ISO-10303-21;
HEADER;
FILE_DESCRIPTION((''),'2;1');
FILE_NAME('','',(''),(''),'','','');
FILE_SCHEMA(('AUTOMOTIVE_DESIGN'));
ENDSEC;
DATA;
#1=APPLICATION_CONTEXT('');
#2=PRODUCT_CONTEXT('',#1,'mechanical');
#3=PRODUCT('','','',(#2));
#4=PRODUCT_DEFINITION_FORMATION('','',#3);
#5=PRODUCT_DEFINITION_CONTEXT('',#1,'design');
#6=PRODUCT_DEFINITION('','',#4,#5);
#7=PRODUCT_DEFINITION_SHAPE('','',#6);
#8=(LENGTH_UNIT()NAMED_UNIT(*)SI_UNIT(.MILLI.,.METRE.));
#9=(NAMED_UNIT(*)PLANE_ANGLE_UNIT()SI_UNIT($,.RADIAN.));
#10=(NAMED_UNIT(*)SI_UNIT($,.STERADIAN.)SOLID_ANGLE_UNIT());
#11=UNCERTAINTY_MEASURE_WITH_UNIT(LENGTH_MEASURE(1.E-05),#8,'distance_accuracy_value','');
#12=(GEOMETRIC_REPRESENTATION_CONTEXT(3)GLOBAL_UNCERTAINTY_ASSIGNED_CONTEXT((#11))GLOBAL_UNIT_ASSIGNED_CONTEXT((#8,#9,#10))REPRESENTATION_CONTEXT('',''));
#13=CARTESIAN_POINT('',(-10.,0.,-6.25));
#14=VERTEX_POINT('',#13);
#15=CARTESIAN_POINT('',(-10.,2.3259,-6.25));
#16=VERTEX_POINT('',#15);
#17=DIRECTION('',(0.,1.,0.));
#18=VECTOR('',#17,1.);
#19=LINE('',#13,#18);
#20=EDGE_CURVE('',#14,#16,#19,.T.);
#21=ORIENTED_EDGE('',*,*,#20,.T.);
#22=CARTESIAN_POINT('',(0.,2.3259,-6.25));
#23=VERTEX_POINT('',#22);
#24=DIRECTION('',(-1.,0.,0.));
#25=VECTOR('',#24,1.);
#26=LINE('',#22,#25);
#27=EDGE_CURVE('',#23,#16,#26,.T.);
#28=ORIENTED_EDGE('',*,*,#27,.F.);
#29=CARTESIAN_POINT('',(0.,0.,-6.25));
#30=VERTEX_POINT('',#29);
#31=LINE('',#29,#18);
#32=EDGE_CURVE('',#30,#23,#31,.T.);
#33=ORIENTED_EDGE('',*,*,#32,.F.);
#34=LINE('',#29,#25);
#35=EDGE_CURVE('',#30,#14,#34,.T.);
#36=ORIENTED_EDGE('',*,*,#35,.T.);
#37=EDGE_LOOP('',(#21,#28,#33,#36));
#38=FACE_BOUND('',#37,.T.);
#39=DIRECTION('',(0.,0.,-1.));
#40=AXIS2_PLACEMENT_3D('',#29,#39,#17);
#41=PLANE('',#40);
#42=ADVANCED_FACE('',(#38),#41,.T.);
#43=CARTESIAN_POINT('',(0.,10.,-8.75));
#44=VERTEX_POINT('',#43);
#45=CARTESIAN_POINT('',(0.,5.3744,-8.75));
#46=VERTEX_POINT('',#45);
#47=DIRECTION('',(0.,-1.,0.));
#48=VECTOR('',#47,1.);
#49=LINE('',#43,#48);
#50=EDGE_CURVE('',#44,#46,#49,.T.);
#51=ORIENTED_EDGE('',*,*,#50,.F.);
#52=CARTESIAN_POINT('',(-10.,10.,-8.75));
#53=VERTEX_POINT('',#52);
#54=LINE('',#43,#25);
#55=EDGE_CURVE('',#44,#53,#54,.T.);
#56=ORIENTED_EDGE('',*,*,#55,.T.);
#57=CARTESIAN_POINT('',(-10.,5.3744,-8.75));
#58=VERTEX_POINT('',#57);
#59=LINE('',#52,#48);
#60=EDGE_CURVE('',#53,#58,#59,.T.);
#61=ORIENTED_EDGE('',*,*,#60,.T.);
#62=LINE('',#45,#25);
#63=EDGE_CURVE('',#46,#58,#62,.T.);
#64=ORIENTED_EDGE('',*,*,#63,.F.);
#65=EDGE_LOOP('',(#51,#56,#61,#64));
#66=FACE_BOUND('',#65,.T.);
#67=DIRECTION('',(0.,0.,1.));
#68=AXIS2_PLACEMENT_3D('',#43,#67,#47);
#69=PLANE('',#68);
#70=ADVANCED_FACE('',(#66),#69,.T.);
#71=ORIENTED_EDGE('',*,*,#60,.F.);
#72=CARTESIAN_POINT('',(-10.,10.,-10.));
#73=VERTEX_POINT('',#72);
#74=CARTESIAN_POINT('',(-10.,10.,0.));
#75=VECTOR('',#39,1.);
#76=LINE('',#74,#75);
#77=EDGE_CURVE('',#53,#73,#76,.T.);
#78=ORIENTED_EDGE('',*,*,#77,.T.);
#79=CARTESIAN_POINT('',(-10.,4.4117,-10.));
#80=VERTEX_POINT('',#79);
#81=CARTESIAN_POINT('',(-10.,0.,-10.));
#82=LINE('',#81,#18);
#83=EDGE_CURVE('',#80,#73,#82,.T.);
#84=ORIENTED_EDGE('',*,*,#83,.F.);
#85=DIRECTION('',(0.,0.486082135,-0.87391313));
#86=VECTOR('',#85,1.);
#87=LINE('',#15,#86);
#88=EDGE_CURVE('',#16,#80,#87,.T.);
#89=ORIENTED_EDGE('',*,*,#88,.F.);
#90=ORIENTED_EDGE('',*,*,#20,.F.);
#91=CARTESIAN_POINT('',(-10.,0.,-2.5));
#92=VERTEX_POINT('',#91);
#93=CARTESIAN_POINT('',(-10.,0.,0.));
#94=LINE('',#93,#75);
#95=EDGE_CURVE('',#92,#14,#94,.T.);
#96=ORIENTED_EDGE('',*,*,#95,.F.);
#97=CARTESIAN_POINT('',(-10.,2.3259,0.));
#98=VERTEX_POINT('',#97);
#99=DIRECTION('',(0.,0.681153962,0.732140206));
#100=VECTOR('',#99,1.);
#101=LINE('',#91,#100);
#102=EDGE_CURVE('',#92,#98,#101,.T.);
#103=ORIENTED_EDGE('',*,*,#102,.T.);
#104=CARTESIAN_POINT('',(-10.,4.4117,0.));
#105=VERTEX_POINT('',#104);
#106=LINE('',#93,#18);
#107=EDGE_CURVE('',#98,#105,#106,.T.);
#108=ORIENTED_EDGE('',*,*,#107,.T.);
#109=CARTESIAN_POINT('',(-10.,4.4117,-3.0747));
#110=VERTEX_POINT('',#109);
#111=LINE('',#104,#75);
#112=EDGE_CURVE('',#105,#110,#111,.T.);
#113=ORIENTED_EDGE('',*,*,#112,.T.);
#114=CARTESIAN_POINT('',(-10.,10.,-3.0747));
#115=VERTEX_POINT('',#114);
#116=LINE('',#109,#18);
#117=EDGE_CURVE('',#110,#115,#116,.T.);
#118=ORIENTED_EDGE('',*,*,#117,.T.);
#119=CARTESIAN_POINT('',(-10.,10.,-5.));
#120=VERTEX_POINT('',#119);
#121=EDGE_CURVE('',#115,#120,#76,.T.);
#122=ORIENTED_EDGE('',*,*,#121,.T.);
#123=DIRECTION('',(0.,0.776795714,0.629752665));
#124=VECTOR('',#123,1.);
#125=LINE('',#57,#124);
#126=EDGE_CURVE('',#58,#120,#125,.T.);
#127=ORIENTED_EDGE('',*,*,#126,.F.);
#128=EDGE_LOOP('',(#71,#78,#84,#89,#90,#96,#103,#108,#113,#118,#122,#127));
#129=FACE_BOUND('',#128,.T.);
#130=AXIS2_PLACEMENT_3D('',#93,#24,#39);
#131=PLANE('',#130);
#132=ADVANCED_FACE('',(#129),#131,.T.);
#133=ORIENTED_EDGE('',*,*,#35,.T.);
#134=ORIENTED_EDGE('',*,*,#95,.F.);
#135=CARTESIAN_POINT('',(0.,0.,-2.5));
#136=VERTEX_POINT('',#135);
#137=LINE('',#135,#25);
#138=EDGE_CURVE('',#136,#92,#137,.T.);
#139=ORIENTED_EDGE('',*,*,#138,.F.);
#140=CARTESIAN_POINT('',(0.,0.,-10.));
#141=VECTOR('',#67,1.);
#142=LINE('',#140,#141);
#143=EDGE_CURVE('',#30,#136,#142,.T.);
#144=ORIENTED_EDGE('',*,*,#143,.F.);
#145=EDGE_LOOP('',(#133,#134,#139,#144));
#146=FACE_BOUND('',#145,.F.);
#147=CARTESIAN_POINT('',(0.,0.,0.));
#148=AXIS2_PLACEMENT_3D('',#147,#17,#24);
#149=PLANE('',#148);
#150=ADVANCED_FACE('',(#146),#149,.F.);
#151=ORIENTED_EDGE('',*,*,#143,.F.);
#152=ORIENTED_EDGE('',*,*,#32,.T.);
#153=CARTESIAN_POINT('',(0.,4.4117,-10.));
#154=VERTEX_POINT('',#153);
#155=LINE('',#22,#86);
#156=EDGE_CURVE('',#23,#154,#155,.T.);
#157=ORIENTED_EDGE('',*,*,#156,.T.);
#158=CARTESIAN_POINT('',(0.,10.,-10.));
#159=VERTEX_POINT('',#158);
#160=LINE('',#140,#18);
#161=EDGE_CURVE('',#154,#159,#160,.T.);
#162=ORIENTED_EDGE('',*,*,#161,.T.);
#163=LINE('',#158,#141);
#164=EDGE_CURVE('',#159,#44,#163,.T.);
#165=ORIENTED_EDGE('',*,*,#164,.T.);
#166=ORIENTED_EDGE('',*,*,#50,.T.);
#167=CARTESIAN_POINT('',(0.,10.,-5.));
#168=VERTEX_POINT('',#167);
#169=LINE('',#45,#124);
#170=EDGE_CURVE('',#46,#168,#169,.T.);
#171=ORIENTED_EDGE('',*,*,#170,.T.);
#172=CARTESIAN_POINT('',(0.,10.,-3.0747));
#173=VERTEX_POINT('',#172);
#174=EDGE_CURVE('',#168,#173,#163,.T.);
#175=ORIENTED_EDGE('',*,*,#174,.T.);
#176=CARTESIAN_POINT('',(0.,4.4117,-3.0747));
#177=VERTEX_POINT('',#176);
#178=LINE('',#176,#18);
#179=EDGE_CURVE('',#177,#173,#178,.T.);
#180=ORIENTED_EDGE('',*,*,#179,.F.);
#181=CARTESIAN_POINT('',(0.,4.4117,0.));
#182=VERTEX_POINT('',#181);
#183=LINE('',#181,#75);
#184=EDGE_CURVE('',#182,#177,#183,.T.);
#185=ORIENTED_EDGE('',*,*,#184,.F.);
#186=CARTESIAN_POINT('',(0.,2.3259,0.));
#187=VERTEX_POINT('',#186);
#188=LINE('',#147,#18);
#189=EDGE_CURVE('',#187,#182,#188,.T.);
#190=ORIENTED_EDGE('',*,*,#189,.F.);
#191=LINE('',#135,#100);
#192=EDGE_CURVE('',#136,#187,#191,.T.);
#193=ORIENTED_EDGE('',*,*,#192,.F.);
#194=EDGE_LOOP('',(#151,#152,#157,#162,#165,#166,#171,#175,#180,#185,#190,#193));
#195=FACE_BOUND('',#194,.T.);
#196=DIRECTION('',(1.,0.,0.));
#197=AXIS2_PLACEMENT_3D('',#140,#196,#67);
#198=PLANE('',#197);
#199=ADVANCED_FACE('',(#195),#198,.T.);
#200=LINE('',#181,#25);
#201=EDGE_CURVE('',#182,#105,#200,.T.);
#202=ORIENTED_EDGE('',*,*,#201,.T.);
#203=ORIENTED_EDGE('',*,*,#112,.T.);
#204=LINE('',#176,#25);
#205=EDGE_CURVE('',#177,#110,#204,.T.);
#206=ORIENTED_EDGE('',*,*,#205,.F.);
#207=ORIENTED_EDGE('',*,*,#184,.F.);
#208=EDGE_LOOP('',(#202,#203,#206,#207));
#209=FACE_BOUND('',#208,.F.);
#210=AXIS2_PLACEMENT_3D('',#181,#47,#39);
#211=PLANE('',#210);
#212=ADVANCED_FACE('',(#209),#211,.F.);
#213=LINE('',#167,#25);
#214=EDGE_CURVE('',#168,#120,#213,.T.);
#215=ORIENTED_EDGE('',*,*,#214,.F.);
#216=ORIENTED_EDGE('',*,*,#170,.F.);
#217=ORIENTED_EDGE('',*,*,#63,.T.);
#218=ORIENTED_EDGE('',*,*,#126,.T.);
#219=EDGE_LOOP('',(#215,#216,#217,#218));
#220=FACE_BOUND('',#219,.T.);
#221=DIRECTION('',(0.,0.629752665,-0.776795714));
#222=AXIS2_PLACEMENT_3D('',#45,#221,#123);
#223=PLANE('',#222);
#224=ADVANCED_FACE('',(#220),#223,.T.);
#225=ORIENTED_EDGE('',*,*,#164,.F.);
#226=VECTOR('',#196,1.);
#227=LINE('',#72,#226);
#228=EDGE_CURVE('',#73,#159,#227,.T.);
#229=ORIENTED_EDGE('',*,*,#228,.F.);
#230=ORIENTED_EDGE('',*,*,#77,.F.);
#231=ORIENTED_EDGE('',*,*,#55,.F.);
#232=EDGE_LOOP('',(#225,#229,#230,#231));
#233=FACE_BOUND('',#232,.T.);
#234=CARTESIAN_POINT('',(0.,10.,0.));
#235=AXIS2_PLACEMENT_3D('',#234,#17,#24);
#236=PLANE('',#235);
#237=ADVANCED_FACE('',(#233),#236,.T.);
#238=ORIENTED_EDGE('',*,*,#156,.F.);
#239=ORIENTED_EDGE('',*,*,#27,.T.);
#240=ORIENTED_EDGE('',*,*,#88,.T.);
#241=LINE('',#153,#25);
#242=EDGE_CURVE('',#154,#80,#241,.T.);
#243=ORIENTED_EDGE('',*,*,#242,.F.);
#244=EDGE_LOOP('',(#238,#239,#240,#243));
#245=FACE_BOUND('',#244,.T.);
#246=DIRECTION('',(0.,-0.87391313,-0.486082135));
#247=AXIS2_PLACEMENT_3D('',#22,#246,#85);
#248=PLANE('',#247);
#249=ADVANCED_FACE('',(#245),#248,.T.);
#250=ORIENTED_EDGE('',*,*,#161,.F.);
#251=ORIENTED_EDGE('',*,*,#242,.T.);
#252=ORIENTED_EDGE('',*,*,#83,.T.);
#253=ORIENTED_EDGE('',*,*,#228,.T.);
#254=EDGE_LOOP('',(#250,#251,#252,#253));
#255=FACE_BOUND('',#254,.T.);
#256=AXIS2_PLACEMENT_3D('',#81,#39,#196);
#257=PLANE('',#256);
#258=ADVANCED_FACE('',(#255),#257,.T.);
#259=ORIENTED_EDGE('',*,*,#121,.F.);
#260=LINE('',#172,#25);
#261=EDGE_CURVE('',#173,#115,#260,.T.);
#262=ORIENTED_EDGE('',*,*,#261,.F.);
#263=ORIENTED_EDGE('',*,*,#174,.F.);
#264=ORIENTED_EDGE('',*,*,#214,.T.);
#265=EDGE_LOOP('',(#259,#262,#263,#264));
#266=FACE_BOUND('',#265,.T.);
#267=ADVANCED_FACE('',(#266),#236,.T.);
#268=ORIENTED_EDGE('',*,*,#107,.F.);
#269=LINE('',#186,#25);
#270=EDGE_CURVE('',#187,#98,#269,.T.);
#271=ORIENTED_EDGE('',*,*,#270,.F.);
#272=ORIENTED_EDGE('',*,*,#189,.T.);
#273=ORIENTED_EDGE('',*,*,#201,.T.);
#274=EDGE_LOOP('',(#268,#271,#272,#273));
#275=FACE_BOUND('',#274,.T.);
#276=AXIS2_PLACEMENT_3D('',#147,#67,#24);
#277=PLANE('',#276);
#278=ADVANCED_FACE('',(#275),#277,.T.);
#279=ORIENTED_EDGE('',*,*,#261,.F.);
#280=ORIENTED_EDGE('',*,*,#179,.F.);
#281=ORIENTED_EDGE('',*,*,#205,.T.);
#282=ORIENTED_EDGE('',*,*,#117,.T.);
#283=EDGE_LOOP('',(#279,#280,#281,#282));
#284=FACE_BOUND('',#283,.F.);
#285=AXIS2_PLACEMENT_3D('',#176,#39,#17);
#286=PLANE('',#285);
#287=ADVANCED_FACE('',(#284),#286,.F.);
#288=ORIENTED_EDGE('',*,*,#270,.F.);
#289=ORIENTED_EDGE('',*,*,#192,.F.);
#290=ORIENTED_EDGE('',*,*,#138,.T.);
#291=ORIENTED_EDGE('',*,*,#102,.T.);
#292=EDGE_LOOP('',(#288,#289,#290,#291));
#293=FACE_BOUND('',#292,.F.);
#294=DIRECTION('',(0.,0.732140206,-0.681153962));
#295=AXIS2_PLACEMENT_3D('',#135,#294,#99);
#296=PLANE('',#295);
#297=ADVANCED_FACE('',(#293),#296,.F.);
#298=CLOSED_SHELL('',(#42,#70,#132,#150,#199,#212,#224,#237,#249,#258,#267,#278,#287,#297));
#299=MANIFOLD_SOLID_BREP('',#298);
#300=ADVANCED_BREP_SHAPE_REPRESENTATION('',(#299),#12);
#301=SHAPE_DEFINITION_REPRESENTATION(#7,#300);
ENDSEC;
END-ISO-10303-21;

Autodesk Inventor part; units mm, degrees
ref_plane "YZ Plane" through (0, 0, 0) normal (1, 0, 0) x (0, 1, 0)
ref_plane "XZ Plane" through (0, 0, 0) normal (0, 1, 0) x (-1, 0, 0)
ref_plane "XY Plane" through (0, 0, 0) normal (0, 0, 1) x (1, 0, 0)
sketch "Sketch3" plane through (0, 0, 0) normal (0, 1, 0) x (-1, 0, 0)
  line L0 (0, 0) -> (10, 0)
  line L1 (10, 0) -> (10, -10)
  line L2 (10, -10) -> (0, -10)
  line L3 (0, -10) -> (0, 0)
  dimension "d7" = 10
  dimension "d8" = 10
extrude "Extrusion1" add sketch "Sketch3" along normal blind 10
sketch "Sketch4" plane through (0, 0, 0) normal (1, 0, 0) x (0, 0, -1)
  line L0 (10, 0) -> (0, 0) projected
  line L1 (0, 0) -> (0, 10) projected
  line L2 (0, 0) -> (2.5, 0)
  line L3 (2.5, 0) -> (0, 2.3259)
  dimension "d11" = 2.5
extrude "Extrusion2" cut sketch "Sketch4" against normal blind 10
sketch "Sketch5" plane through (0, 0, -10) normal (1, 0, 0) x (0, 0, -1)
  line L0 (0, 0) -> (-7.5, 0) projected
  line L1 (0, 0) -> (0, 10) projected
  line L2 (-10, 10) -> (0, 10) projected
  line L3 (-10, 2.3259) -> (-10, 10) projected
  line L4 (-3.75, 0) -> (-3.75, 2.3259)
  line L5 (-3.75, 2.3259) -> (0, 4.4117)
  line L6 (0, 0) -> (-3.75, 0)
  line L7 (-1.5, 10) -> (-1.5, 6)
  line L8 (-1.5, 6) -> (-4.6791, 10)
  point P0 (-10, 0)
  dimension "d14" = 4
extrude "Extrusion3" cut sketch "Sketch5" against normal blind 10 contours L0 L4 L5 L1
sketch "Sketch6" plane through (0, 10, 0) normal (1, 0, 0) x (0, 0, -1)
  line L0 (0, 0) -> (10, 0) projected
  line L1 (6.25, -10) -> (2.5, -10) projected
  line L2 (8.75, 0) -> (8.75, -4.6256)
  line L3 (8.75, -4.6256) -> (5, 0)
  line L4 (5, 0) -> (8.75, 0)
  point P0 (0, -10)
extrude "Extrusion4" cut sketch "Sketch6" against normal blind 10
sketch "Sketch7" plane through (0, 2.3259, 0) normal (1, 0, 0) x (0, 0, -1)
  line L0 (0, 7.6741) -> (5, 7.6741) projected
  line L1 (0, 0) -> (0, 7.6741) projected
  line L2 (3.0747, 7.6741) -> (0, 7.6741)
  line L3 (0, 7.6741) -> (0, 2.0858)
  line L4 (0, 2.0858) -> (3.0747, 2.0858)
  line L5 (3.0747, 2.0858) -> (3.0747, 7.6741)
  point P0 (0, -2.3259)
extrude "Extrusion5" cut sketch "Sketch7" against normal blind 10
properties part number "136"
